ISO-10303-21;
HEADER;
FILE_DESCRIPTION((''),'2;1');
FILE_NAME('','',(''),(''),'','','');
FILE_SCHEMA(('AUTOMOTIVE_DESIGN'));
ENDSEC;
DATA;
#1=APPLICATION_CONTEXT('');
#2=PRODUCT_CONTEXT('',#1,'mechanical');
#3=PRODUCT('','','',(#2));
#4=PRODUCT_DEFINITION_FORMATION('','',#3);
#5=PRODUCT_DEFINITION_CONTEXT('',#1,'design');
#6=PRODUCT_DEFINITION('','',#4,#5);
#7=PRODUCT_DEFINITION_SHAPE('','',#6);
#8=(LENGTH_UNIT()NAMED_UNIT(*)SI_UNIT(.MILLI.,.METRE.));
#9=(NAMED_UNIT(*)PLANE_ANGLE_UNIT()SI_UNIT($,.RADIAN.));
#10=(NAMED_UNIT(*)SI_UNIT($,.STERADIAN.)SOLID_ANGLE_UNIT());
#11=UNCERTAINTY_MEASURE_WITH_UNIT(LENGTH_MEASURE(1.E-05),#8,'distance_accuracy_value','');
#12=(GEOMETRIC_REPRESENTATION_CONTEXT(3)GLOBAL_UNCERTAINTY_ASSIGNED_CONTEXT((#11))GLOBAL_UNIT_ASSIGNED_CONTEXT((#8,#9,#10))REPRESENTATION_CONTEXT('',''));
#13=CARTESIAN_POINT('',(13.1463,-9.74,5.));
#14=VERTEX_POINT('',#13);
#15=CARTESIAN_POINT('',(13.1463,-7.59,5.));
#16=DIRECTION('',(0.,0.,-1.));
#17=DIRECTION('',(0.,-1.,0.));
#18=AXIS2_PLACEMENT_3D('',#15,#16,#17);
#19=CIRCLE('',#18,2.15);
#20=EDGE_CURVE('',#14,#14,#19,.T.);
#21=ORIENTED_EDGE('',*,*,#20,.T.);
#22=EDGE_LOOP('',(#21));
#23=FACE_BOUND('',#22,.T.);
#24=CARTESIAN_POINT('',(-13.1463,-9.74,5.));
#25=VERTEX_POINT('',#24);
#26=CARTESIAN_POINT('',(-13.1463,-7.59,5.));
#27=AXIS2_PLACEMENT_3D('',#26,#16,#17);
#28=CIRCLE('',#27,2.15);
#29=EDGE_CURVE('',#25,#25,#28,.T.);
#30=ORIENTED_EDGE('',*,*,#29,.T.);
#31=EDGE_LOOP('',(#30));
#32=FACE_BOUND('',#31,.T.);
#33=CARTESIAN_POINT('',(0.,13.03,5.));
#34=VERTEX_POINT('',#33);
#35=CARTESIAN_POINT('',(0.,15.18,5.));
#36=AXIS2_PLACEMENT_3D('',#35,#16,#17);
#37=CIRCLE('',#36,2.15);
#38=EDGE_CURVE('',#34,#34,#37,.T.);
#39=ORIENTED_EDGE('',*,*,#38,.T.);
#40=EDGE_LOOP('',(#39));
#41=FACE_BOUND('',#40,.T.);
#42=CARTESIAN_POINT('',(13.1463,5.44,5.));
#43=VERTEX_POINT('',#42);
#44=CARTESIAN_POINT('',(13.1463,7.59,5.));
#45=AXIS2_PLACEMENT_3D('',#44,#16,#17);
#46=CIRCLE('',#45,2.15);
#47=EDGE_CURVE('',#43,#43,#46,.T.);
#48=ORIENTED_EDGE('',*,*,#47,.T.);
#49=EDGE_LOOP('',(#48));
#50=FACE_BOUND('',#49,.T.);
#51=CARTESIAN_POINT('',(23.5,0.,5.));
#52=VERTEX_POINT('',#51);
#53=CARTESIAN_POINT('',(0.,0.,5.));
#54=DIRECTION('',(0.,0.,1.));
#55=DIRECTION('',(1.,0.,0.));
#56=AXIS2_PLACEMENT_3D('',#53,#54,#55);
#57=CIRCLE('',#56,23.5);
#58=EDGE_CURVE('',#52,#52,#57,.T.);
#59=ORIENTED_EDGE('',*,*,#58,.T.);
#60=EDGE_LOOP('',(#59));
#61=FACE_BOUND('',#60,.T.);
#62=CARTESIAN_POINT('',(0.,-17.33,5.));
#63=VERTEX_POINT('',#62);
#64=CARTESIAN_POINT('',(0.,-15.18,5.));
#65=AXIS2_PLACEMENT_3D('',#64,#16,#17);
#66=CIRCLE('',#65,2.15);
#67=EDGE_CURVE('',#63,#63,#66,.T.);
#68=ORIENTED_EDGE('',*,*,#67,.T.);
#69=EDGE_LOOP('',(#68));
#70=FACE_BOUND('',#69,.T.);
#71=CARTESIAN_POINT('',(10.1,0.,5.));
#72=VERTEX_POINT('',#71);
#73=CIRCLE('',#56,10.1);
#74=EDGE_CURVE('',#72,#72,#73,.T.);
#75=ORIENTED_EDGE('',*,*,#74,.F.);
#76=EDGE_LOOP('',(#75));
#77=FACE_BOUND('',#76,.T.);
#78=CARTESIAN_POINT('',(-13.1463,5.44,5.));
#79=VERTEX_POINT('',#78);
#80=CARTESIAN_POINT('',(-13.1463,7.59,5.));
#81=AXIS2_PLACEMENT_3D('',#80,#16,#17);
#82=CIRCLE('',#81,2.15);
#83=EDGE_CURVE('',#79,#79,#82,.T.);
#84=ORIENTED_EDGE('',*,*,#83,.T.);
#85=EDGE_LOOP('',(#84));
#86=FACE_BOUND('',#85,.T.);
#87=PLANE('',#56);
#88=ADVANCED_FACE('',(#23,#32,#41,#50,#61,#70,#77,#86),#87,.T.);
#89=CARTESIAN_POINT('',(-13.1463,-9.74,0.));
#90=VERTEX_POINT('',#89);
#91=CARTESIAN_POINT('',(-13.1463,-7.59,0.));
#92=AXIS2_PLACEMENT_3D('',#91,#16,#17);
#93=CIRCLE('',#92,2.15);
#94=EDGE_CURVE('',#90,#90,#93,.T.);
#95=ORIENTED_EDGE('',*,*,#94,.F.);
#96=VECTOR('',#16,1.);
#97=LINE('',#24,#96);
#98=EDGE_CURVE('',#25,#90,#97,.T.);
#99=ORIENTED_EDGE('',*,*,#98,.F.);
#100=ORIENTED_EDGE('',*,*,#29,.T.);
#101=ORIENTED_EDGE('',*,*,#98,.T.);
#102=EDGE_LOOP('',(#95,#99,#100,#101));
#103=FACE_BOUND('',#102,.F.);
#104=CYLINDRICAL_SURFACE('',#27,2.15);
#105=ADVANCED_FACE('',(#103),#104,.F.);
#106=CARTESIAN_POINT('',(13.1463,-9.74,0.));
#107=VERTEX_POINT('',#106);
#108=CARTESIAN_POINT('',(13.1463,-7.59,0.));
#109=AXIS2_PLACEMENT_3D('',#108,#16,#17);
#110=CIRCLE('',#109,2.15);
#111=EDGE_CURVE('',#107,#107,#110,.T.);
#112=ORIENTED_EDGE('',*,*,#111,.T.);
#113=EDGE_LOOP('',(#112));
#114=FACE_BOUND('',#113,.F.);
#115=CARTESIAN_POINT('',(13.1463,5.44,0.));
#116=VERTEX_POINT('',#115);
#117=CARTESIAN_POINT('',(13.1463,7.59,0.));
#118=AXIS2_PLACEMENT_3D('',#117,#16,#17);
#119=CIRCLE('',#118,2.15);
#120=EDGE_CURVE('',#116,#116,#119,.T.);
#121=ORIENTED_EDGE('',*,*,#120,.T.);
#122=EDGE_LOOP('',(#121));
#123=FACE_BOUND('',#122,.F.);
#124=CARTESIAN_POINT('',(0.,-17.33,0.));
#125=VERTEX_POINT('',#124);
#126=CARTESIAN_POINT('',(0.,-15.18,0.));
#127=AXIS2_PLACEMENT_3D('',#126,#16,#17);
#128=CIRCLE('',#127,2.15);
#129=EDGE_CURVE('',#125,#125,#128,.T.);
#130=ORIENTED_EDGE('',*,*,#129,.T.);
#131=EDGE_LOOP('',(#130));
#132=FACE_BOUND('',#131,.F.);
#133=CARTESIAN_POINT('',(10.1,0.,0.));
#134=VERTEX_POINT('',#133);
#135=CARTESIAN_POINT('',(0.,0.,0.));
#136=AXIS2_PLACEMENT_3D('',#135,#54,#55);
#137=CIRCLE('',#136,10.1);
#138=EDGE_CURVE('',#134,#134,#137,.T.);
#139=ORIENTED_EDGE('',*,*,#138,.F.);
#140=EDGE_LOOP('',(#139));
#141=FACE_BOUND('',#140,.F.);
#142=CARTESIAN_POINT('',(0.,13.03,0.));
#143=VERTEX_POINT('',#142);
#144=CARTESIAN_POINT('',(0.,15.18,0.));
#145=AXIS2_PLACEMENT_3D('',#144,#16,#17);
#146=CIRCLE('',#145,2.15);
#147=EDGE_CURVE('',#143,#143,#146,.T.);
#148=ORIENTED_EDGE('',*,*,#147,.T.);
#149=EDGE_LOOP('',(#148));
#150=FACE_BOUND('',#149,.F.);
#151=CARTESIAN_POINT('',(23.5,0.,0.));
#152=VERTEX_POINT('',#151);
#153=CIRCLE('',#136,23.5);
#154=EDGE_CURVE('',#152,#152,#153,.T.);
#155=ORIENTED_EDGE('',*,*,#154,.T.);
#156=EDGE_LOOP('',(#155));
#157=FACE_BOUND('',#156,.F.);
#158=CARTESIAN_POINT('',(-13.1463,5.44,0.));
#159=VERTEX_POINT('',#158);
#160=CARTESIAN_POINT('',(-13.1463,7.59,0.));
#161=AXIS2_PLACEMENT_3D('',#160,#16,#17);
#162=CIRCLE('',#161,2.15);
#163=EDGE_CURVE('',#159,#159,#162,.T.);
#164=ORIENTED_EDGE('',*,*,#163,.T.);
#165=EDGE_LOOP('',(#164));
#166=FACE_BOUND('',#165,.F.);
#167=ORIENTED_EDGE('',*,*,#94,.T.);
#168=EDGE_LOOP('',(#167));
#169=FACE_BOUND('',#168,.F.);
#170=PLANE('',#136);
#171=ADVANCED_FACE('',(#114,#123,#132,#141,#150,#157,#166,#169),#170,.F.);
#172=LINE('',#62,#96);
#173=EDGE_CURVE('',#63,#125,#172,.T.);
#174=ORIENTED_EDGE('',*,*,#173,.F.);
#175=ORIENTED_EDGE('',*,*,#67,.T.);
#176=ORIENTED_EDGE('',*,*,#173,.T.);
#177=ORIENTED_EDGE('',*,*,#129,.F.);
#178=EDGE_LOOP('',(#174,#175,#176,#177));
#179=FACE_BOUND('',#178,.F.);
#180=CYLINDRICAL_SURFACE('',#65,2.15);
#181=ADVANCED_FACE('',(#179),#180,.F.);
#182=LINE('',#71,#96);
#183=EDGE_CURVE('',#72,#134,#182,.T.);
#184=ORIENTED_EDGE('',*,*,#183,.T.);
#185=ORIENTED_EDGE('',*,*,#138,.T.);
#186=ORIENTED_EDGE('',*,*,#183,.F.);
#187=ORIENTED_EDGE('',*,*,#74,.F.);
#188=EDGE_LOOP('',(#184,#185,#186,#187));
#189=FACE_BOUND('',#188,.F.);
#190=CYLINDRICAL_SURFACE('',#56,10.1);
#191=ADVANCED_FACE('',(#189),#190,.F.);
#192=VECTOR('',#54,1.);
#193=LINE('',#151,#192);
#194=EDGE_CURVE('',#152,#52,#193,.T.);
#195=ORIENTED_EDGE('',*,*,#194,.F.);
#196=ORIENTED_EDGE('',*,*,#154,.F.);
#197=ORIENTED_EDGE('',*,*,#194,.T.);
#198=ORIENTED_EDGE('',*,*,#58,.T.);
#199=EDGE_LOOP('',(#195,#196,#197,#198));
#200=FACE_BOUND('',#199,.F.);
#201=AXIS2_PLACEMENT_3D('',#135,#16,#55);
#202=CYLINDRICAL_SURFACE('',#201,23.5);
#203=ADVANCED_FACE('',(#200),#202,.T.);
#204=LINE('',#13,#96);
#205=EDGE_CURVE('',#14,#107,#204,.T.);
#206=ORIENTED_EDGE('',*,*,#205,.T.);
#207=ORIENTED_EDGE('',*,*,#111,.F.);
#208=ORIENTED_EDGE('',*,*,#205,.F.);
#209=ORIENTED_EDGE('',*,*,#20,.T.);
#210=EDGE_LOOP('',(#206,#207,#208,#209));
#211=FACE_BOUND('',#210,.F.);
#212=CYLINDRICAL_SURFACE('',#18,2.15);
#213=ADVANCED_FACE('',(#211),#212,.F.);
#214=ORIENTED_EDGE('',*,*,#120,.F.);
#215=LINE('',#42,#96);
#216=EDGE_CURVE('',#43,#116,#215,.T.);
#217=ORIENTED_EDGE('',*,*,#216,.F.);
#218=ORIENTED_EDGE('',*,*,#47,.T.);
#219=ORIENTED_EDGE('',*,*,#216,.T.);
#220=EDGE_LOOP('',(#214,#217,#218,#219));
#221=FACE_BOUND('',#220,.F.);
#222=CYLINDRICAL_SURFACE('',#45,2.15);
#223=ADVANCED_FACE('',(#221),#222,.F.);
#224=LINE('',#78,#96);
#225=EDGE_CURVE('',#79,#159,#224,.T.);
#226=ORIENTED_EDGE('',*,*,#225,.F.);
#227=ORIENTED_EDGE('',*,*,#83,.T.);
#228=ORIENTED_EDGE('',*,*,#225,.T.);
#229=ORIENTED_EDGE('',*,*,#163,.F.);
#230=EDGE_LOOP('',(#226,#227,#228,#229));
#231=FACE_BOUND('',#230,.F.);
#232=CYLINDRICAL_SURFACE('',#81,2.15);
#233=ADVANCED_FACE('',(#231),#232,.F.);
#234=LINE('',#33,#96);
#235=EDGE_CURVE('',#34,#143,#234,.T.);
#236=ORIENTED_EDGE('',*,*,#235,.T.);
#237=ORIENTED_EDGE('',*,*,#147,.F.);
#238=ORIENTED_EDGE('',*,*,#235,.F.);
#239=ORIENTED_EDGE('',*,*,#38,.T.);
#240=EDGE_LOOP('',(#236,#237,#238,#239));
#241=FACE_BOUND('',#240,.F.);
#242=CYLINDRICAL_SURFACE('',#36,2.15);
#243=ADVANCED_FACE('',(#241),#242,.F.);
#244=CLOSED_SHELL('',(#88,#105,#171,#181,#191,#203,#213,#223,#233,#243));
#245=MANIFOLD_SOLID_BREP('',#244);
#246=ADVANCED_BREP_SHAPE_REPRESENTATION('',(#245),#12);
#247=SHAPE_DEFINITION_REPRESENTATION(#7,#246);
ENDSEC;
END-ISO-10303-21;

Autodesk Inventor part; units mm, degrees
ref_plane "YZ Plane" through (0, 0, 0) normal (1, 0, 0) x (0, 1, 0)
ref_plane "XZ Plane" through (0, 0, 0) normal (0, 1, 0) x (-1, 0, 0)
ref_plane "XY Plane" through (0, 0, 0) normal (0, 0, 1) x (1, 0, 0)
sketch "スケッチ1" plane through (0, 0, 0) normal (0, 0, 1) x (1, 0, 0)
  circle A0 centre (0, 0) radius 23.5
  dimension "d0" = 47
extrude "押し出し1" add sketch "スケッチ1" along normal blind 5
sketch "スケッチ2" plane through (0, 0, 5) normal (0, 0, 1) x (1, 0, 0)
  circle A0 centre (0, 0) radius 15.18
  point P0 (0, 15.18)
  point P1 (-13.1463, 7.59)
  point P2 (-13.1463, -7.59)
  point P3 (0, -15.18)
  point P4 (13.1463, -7.59)
  point P5 (13.1463, 7.59)
  dimension "d3" = 30.36
  dimension "d6" = 360
hole "穴1" at (0, 15.18, 5) at (-13.1463, 7.59, 5) at (-13.1463, -7.59, 5) at (0, -15.18, 5) at (13.1463, -7.59, 5) at (13.1463, 7.59, 5) direction (0, 0, -1) diameter 4.3 end through all
sketch "スケッチ3" plane through (0, 0, 5) normal (0, 0, 1) x (1, 0, 0)
  circle A0 centre (0, 0) radius 10.1
  dimension "d15" = 20.2
extrude "押し出し2" cut sketch "スケッチ3" against normal blind 5
properties part number "servoplate_forR3" material "アルミニウム 6061"
